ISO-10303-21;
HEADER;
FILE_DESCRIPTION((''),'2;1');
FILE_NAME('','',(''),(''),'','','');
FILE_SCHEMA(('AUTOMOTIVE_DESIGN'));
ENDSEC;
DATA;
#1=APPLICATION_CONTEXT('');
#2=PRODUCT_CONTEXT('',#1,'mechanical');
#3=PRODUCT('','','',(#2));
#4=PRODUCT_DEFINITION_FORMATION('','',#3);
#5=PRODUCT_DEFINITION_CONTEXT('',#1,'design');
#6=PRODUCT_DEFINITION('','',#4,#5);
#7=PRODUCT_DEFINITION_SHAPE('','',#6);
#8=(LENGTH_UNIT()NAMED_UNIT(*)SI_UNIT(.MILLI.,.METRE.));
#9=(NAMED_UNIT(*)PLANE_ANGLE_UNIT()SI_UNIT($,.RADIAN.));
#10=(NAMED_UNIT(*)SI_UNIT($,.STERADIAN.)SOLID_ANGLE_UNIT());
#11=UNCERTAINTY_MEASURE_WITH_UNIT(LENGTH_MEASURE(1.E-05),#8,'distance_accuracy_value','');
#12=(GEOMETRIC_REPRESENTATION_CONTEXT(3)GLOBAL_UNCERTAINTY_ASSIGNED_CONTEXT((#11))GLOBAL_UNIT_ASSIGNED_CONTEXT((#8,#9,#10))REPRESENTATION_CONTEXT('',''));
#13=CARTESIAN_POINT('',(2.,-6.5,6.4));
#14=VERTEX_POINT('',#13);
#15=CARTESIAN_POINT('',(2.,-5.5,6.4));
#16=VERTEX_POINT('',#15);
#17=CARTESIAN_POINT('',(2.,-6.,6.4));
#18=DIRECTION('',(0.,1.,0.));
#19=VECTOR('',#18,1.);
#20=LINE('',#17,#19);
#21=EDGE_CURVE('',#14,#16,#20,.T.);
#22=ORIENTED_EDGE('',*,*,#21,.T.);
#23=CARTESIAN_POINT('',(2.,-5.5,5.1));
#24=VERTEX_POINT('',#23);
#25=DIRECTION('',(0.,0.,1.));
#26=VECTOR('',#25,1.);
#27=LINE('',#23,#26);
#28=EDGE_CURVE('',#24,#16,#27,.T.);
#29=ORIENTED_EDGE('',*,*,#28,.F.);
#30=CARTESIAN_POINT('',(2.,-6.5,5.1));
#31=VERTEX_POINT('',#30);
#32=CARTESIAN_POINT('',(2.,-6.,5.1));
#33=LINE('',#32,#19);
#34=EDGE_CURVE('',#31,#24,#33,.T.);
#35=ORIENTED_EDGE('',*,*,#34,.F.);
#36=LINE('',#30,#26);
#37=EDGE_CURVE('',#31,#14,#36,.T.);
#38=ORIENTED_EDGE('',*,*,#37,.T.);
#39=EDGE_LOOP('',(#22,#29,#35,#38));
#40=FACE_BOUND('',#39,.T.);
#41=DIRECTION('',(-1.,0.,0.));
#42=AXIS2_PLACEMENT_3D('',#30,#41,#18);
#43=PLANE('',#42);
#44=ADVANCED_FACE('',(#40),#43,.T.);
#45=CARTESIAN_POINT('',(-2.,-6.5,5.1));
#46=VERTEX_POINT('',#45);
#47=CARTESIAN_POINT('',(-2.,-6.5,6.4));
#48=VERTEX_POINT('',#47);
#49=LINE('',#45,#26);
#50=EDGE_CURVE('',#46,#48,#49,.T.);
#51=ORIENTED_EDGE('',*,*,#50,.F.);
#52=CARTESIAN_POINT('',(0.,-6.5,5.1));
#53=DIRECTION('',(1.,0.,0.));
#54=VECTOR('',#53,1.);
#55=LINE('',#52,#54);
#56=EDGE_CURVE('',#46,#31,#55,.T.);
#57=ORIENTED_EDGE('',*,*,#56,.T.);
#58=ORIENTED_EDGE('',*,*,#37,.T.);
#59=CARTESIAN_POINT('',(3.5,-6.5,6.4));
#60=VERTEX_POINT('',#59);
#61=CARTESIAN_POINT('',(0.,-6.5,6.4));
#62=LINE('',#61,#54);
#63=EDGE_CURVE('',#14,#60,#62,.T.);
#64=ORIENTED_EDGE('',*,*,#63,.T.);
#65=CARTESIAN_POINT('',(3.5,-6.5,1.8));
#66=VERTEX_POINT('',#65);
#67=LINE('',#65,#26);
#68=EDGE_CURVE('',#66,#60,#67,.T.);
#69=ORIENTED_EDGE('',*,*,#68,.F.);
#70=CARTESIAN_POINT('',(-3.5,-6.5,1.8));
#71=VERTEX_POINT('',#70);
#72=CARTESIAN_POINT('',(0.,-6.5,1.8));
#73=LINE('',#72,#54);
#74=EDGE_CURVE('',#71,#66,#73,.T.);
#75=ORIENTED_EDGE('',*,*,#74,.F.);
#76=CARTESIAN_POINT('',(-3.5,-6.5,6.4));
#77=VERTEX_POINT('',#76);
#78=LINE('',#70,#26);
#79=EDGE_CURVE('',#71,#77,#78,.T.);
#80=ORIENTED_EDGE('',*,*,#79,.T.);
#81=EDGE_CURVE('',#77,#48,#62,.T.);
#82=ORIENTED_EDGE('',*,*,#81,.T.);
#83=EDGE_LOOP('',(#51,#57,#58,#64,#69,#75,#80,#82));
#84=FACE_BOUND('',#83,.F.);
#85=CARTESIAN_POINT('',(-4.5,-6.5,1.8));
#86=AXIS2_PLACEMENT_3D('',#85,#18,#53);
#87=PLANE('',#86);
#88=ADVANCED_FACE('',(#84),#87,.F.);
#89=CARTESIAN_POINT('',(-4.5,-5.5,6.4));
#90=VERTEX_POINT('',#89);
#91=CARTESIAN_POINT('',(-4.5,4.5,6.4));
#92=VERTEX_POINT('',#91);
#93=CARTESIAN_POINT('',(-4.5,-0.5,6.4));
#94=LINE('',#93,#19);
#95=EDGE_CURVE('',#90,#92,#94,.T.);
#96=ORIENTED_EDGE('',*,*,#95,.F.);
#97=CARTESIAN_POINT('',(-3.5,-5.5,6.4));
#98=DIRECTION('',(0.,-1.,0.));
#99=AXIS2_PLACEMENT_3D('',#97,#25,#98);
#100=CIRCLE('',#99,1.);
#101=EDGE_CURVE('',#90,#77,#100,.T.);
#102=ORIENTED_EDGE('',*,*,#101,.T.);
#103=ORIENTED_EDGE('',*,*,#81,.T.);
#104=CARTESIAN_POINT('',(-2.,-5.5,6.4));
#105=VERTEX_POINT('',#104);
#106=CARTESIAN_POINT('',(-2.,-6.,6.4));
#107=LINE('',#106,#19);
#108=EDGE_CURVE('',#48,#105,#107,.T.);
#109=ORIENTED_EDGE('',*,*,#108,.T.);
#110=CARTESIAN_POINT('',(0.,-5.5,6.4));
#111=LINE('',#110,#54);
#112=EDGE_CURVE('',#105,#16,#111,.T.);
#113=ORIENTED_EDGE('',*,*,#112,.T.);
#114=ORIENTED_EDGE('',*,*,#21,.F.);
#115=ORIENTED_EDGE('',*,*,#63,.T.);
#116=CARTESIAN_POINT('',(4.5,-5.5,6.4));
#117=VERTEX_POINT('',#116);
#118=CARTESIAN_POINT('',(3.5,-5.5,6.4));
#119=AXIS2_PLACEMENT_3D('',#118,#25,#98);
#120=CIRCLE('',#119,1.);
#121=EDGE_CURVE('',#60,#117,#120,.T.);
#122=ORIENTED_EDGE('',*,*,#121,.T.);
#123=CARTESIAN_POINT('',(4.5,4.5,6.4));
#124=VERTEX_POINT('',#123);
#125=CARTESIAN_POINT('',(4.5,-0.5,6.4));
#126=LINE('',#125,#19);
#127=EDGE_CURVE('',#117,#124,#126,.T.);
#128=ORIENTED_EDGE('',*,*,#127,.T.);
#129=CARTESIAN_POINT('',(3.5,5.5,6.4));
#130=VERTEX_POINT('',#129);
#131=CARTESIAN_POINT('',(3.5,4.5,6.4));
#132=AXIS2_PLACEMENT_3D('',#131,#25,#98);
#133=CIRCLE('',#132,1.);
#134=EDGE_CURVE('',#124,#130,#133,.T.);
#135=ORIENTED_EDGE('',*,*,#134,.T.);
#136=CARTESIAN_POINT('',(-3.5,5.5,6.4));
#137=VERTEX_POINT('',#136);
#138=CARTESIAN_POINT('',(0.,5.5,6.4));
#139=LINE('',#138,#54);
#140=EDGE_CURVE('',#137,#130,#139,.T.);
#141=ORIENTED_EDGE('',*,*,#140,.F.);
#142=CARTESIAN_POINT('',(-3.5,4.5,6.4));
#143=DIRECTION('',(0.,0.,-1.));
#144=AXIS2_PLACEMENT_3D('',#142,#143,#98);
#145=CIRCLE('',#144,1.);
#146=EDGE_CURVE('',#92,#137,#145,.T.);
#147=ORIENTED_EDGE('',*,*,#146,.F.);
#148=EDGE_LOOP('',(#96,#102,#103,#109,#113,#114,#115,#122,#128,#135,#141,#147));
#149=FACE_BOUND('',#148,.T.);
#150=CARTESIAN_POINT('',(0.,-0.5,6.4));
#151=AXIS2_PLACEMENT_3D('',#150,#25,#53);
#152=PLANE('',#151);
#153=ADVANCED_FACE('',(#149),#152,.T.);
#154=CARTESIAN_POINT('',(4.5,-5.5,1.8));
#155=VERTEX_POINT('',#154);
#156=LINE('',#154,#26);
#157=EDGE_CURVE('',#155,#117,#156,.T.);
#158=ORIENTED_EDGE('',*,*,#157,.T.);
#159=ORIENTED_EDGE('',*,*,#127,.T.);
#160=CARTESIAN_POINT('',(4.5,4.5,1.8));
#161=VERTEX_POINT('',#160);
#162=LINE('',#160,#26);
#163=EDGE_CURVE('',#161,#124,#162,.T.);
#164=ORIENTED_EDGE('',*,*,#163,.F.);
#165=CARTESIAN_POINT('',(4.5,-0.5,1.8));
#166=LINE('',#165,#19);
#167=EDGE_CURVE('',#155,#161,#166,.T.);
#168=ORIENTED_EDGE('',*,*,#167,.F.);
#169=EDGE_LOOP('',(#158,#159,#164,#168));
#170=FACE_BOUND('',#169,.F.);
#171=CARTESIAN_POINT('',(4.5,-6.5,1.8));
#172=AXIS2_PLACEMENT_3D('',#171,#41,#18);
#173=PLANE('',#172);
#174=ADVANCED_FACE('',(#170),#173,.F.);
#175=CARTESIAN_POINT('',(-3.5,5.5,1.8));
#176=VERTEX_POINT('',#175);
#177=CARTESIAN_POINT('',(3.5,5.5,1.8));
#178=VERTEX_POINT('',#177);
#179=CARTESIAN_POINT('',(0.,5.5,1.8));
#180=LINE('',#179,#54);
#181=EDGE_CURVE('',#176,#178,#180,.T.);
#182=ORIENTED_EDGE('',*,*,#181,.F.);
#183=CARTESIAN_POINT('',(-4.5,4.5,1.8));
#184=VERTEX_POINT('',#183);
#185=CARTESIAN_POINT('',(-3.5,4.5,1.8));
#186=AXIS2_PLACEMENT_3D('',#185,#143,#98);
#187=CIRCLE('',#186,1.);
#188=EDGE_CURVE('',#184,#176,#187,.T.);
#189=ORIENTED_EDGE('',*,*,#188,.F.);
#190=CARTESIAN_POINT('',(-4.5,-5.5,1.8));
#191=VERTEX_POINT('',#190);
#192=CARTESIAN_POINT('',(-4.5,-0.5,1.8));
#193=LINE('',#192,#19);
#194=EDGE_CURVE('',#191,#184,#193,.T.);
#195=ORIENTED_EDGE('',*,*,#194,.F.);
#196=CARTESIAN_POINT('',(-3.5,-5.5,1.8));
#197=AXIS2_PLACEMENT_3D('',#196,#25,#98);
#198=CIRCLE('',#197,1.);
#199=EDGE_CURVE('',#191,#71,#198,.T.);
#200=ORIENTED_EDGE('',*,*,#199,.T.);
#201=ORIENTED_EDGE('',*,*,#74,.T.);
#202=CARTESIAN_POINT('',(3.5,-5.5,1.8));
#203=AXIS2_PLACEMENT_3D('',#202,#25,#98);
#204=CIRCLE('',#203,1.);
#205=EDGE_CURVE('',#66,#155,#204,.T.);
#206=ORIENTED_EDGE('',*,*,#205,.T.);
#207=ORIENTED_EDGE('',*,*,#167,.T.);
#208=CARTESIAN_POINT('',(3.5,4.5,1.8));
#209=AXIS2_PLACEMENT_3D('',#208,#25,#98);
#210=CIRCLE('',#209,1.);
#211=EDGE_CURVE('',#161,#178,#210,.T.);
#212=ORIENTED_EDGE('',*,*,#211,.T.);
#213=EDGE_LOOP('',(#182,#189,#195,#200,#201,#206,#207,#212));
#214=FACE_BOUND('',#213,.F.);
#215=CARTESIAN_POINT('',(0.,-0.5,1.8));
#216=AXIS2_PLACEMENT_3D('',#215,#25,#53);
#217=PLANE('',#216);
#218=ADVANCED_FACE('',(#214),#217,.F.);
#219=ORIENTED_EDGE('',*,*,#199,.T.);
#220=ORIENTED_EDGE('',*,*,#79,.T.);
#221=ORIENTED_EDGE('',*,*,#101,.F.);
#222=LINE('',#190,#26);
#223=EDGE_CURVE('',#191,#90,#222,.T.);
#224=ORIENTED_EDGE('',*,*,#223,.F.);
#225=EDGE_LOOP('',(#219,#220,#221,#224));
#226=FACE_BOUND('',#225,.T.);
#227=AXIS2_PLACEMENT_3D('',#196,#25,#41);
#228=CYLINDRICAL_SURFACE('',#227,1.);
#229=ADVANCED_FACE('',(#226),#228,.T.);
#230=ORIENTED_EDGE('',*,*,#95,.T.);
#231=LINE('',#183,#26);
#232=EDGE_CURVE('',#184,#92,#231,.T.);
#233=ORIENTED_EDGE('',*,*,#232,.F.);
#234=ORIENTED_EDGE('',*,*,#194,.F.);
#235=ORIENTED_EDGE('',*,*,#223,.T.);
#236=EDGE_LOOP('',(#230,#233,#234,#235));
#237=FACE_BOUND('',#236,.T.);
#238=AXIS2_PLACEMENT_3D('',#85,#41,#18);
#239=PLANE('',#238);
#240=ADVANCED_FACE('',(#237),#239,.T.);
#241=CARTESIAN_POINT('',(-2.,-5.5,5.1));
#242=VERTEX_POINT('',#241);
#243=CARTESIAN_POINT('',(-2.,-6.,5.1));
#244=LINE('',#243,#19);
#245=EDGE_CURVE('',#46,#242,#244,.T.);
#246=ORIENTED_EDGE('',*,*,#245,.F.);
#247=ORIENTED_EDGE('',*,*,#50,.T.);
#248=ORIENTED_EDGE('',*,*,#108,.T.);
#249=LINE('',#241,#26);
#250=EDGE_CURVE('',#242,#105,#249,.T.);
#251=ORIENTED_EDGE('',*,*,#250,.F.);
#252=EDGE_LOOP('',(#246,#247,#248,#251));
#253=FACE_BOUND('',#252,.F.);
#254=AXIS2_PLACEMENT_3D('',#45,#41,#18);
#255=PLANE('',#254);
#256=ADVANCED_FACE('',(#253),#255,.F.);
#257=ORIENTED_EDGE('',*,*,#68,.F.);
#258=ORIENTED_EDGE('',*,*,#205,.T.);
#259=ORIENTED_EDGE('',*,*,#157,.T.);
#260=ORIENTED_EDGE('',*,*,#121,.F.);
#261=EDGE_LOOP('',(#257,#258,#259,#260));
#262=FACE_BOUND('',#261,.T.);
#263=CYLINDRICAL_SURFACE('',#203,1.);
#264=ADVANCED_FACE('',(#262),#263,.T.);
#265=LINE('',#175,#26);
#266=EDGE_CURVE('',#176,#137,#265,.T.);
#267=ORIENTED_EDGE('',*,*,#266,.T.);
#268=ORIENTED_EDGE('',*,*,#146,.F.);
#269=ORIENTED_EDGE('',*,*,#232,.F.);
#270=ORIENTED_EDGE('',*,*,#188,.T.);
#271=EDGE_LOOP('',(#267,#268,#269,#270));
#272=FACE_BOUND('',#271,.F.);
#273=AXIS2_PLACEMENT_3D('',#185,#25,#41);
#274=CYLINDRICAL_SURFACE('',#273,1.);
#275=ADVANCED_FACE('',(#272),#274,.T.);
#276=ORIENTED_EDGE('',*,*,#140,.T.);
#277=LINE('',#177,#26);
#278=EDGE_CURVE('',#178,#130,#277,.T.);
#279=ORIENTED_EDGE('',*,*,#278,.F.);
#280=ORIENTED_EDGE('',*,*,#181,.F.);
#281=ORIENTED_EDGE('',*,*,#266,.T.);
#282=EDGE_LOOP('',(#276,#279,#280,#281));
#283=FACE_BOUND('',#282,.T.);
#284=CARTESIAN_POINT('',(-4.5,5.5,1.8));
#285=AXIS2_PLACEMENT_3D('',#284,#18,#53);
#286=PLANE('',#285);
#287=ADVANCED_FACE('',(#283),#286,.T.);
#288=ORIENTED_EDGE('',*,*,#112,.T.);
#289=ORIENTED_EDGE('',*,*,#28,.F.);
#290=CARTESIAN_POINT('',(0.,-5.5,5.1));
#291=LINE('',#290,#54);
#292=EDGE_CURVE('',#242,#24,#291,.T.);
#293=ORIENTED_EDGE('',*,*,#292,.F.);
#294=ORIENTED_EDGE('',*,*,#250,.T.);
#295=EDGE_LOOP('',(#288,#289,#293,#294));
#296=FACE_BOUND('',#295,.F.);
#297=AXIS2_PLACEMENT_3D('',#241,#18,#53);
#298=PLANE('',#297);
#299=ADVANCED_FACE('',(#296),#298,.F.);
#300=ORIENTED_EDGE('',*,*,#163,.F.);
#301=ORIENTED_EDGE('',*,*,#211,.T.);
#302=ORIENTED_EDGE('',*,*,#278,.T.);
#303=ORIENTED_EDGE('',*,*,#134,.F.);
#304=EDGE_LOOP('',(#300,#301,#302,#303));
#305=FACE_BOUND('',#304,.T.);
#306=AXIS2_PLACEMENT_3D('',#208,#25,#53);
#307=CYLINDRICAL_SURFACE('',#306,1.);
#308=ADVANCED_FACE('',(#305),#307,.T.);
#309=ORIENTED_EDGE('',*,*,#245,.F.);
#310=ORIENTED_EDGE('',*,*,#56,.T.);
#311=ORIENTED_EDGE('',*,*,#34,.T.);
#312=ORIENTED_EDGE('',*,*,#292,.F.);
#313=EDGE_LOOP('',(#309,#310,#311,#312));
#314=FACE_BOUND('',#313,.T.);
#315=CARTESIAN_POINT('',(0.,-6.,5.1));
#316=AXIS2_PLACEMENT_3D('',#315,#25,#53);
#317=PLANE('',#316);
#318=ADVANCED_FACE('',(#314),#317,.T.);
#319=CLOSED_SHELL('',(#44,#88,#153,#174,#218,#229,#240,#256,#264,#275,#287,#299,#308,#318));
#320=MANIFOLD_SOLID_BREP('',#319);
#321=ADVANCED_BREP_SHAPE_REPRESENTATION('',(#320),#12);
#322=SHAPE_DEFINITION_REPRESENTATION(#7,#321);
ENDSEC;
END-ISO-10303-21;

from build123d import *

# Parameters (mm, degrees)
BOX010_W     = 4
BOX010_H     = 1
BOX010_DEPTH = 1.3
BOX001_W     = 9
BOX001_H     = 12
BOX001_DEPTH = 4.6
FILLET_R     = 1


with BuildPart() as cube010:
    # Box010 → Box010 (new body)
    with BuildSketch(Plane(origin=(-2, -6.5, 5.1), x_dir=(1, 0, 0), z_dir=(0, 0, 1))):
        with Locations((2, 0.5)):
            Rectangle(BOX010_W, BOX010_H)
    extrude(amount=BOX010_DEPTH)


with BuildPart() as cut005:
    # Box001 → Box001 (new body)
    with BuildSketch(Plane(origin=(-4.5, -6.5, 1.8), x_dir=(1, 0, 0), z_dir=(0, 0, 1))):
        with Locations((4.5, 6)):
            Rectangle(BOX001_W, BOX001_H)
    extrude(amount=BOX001_DEPTH)

    # Fillet
    fillet_edges = [cut005.edges().sort_by_distance(p)[0] for p in [
        (-4.5, -6.5, 4.1),
        (-4.5, 5.5, 4.1),
        (4.5, -6.5, 4.1),
        (4.5, 5.5, 4.1),
    ]]
    fillet(fillet_edges, radius=FILLET_R)

    # Cut005: cut Cube010
    add(cube010.part, mode=Mode.SUBTRACT)


solid = cut005.part
